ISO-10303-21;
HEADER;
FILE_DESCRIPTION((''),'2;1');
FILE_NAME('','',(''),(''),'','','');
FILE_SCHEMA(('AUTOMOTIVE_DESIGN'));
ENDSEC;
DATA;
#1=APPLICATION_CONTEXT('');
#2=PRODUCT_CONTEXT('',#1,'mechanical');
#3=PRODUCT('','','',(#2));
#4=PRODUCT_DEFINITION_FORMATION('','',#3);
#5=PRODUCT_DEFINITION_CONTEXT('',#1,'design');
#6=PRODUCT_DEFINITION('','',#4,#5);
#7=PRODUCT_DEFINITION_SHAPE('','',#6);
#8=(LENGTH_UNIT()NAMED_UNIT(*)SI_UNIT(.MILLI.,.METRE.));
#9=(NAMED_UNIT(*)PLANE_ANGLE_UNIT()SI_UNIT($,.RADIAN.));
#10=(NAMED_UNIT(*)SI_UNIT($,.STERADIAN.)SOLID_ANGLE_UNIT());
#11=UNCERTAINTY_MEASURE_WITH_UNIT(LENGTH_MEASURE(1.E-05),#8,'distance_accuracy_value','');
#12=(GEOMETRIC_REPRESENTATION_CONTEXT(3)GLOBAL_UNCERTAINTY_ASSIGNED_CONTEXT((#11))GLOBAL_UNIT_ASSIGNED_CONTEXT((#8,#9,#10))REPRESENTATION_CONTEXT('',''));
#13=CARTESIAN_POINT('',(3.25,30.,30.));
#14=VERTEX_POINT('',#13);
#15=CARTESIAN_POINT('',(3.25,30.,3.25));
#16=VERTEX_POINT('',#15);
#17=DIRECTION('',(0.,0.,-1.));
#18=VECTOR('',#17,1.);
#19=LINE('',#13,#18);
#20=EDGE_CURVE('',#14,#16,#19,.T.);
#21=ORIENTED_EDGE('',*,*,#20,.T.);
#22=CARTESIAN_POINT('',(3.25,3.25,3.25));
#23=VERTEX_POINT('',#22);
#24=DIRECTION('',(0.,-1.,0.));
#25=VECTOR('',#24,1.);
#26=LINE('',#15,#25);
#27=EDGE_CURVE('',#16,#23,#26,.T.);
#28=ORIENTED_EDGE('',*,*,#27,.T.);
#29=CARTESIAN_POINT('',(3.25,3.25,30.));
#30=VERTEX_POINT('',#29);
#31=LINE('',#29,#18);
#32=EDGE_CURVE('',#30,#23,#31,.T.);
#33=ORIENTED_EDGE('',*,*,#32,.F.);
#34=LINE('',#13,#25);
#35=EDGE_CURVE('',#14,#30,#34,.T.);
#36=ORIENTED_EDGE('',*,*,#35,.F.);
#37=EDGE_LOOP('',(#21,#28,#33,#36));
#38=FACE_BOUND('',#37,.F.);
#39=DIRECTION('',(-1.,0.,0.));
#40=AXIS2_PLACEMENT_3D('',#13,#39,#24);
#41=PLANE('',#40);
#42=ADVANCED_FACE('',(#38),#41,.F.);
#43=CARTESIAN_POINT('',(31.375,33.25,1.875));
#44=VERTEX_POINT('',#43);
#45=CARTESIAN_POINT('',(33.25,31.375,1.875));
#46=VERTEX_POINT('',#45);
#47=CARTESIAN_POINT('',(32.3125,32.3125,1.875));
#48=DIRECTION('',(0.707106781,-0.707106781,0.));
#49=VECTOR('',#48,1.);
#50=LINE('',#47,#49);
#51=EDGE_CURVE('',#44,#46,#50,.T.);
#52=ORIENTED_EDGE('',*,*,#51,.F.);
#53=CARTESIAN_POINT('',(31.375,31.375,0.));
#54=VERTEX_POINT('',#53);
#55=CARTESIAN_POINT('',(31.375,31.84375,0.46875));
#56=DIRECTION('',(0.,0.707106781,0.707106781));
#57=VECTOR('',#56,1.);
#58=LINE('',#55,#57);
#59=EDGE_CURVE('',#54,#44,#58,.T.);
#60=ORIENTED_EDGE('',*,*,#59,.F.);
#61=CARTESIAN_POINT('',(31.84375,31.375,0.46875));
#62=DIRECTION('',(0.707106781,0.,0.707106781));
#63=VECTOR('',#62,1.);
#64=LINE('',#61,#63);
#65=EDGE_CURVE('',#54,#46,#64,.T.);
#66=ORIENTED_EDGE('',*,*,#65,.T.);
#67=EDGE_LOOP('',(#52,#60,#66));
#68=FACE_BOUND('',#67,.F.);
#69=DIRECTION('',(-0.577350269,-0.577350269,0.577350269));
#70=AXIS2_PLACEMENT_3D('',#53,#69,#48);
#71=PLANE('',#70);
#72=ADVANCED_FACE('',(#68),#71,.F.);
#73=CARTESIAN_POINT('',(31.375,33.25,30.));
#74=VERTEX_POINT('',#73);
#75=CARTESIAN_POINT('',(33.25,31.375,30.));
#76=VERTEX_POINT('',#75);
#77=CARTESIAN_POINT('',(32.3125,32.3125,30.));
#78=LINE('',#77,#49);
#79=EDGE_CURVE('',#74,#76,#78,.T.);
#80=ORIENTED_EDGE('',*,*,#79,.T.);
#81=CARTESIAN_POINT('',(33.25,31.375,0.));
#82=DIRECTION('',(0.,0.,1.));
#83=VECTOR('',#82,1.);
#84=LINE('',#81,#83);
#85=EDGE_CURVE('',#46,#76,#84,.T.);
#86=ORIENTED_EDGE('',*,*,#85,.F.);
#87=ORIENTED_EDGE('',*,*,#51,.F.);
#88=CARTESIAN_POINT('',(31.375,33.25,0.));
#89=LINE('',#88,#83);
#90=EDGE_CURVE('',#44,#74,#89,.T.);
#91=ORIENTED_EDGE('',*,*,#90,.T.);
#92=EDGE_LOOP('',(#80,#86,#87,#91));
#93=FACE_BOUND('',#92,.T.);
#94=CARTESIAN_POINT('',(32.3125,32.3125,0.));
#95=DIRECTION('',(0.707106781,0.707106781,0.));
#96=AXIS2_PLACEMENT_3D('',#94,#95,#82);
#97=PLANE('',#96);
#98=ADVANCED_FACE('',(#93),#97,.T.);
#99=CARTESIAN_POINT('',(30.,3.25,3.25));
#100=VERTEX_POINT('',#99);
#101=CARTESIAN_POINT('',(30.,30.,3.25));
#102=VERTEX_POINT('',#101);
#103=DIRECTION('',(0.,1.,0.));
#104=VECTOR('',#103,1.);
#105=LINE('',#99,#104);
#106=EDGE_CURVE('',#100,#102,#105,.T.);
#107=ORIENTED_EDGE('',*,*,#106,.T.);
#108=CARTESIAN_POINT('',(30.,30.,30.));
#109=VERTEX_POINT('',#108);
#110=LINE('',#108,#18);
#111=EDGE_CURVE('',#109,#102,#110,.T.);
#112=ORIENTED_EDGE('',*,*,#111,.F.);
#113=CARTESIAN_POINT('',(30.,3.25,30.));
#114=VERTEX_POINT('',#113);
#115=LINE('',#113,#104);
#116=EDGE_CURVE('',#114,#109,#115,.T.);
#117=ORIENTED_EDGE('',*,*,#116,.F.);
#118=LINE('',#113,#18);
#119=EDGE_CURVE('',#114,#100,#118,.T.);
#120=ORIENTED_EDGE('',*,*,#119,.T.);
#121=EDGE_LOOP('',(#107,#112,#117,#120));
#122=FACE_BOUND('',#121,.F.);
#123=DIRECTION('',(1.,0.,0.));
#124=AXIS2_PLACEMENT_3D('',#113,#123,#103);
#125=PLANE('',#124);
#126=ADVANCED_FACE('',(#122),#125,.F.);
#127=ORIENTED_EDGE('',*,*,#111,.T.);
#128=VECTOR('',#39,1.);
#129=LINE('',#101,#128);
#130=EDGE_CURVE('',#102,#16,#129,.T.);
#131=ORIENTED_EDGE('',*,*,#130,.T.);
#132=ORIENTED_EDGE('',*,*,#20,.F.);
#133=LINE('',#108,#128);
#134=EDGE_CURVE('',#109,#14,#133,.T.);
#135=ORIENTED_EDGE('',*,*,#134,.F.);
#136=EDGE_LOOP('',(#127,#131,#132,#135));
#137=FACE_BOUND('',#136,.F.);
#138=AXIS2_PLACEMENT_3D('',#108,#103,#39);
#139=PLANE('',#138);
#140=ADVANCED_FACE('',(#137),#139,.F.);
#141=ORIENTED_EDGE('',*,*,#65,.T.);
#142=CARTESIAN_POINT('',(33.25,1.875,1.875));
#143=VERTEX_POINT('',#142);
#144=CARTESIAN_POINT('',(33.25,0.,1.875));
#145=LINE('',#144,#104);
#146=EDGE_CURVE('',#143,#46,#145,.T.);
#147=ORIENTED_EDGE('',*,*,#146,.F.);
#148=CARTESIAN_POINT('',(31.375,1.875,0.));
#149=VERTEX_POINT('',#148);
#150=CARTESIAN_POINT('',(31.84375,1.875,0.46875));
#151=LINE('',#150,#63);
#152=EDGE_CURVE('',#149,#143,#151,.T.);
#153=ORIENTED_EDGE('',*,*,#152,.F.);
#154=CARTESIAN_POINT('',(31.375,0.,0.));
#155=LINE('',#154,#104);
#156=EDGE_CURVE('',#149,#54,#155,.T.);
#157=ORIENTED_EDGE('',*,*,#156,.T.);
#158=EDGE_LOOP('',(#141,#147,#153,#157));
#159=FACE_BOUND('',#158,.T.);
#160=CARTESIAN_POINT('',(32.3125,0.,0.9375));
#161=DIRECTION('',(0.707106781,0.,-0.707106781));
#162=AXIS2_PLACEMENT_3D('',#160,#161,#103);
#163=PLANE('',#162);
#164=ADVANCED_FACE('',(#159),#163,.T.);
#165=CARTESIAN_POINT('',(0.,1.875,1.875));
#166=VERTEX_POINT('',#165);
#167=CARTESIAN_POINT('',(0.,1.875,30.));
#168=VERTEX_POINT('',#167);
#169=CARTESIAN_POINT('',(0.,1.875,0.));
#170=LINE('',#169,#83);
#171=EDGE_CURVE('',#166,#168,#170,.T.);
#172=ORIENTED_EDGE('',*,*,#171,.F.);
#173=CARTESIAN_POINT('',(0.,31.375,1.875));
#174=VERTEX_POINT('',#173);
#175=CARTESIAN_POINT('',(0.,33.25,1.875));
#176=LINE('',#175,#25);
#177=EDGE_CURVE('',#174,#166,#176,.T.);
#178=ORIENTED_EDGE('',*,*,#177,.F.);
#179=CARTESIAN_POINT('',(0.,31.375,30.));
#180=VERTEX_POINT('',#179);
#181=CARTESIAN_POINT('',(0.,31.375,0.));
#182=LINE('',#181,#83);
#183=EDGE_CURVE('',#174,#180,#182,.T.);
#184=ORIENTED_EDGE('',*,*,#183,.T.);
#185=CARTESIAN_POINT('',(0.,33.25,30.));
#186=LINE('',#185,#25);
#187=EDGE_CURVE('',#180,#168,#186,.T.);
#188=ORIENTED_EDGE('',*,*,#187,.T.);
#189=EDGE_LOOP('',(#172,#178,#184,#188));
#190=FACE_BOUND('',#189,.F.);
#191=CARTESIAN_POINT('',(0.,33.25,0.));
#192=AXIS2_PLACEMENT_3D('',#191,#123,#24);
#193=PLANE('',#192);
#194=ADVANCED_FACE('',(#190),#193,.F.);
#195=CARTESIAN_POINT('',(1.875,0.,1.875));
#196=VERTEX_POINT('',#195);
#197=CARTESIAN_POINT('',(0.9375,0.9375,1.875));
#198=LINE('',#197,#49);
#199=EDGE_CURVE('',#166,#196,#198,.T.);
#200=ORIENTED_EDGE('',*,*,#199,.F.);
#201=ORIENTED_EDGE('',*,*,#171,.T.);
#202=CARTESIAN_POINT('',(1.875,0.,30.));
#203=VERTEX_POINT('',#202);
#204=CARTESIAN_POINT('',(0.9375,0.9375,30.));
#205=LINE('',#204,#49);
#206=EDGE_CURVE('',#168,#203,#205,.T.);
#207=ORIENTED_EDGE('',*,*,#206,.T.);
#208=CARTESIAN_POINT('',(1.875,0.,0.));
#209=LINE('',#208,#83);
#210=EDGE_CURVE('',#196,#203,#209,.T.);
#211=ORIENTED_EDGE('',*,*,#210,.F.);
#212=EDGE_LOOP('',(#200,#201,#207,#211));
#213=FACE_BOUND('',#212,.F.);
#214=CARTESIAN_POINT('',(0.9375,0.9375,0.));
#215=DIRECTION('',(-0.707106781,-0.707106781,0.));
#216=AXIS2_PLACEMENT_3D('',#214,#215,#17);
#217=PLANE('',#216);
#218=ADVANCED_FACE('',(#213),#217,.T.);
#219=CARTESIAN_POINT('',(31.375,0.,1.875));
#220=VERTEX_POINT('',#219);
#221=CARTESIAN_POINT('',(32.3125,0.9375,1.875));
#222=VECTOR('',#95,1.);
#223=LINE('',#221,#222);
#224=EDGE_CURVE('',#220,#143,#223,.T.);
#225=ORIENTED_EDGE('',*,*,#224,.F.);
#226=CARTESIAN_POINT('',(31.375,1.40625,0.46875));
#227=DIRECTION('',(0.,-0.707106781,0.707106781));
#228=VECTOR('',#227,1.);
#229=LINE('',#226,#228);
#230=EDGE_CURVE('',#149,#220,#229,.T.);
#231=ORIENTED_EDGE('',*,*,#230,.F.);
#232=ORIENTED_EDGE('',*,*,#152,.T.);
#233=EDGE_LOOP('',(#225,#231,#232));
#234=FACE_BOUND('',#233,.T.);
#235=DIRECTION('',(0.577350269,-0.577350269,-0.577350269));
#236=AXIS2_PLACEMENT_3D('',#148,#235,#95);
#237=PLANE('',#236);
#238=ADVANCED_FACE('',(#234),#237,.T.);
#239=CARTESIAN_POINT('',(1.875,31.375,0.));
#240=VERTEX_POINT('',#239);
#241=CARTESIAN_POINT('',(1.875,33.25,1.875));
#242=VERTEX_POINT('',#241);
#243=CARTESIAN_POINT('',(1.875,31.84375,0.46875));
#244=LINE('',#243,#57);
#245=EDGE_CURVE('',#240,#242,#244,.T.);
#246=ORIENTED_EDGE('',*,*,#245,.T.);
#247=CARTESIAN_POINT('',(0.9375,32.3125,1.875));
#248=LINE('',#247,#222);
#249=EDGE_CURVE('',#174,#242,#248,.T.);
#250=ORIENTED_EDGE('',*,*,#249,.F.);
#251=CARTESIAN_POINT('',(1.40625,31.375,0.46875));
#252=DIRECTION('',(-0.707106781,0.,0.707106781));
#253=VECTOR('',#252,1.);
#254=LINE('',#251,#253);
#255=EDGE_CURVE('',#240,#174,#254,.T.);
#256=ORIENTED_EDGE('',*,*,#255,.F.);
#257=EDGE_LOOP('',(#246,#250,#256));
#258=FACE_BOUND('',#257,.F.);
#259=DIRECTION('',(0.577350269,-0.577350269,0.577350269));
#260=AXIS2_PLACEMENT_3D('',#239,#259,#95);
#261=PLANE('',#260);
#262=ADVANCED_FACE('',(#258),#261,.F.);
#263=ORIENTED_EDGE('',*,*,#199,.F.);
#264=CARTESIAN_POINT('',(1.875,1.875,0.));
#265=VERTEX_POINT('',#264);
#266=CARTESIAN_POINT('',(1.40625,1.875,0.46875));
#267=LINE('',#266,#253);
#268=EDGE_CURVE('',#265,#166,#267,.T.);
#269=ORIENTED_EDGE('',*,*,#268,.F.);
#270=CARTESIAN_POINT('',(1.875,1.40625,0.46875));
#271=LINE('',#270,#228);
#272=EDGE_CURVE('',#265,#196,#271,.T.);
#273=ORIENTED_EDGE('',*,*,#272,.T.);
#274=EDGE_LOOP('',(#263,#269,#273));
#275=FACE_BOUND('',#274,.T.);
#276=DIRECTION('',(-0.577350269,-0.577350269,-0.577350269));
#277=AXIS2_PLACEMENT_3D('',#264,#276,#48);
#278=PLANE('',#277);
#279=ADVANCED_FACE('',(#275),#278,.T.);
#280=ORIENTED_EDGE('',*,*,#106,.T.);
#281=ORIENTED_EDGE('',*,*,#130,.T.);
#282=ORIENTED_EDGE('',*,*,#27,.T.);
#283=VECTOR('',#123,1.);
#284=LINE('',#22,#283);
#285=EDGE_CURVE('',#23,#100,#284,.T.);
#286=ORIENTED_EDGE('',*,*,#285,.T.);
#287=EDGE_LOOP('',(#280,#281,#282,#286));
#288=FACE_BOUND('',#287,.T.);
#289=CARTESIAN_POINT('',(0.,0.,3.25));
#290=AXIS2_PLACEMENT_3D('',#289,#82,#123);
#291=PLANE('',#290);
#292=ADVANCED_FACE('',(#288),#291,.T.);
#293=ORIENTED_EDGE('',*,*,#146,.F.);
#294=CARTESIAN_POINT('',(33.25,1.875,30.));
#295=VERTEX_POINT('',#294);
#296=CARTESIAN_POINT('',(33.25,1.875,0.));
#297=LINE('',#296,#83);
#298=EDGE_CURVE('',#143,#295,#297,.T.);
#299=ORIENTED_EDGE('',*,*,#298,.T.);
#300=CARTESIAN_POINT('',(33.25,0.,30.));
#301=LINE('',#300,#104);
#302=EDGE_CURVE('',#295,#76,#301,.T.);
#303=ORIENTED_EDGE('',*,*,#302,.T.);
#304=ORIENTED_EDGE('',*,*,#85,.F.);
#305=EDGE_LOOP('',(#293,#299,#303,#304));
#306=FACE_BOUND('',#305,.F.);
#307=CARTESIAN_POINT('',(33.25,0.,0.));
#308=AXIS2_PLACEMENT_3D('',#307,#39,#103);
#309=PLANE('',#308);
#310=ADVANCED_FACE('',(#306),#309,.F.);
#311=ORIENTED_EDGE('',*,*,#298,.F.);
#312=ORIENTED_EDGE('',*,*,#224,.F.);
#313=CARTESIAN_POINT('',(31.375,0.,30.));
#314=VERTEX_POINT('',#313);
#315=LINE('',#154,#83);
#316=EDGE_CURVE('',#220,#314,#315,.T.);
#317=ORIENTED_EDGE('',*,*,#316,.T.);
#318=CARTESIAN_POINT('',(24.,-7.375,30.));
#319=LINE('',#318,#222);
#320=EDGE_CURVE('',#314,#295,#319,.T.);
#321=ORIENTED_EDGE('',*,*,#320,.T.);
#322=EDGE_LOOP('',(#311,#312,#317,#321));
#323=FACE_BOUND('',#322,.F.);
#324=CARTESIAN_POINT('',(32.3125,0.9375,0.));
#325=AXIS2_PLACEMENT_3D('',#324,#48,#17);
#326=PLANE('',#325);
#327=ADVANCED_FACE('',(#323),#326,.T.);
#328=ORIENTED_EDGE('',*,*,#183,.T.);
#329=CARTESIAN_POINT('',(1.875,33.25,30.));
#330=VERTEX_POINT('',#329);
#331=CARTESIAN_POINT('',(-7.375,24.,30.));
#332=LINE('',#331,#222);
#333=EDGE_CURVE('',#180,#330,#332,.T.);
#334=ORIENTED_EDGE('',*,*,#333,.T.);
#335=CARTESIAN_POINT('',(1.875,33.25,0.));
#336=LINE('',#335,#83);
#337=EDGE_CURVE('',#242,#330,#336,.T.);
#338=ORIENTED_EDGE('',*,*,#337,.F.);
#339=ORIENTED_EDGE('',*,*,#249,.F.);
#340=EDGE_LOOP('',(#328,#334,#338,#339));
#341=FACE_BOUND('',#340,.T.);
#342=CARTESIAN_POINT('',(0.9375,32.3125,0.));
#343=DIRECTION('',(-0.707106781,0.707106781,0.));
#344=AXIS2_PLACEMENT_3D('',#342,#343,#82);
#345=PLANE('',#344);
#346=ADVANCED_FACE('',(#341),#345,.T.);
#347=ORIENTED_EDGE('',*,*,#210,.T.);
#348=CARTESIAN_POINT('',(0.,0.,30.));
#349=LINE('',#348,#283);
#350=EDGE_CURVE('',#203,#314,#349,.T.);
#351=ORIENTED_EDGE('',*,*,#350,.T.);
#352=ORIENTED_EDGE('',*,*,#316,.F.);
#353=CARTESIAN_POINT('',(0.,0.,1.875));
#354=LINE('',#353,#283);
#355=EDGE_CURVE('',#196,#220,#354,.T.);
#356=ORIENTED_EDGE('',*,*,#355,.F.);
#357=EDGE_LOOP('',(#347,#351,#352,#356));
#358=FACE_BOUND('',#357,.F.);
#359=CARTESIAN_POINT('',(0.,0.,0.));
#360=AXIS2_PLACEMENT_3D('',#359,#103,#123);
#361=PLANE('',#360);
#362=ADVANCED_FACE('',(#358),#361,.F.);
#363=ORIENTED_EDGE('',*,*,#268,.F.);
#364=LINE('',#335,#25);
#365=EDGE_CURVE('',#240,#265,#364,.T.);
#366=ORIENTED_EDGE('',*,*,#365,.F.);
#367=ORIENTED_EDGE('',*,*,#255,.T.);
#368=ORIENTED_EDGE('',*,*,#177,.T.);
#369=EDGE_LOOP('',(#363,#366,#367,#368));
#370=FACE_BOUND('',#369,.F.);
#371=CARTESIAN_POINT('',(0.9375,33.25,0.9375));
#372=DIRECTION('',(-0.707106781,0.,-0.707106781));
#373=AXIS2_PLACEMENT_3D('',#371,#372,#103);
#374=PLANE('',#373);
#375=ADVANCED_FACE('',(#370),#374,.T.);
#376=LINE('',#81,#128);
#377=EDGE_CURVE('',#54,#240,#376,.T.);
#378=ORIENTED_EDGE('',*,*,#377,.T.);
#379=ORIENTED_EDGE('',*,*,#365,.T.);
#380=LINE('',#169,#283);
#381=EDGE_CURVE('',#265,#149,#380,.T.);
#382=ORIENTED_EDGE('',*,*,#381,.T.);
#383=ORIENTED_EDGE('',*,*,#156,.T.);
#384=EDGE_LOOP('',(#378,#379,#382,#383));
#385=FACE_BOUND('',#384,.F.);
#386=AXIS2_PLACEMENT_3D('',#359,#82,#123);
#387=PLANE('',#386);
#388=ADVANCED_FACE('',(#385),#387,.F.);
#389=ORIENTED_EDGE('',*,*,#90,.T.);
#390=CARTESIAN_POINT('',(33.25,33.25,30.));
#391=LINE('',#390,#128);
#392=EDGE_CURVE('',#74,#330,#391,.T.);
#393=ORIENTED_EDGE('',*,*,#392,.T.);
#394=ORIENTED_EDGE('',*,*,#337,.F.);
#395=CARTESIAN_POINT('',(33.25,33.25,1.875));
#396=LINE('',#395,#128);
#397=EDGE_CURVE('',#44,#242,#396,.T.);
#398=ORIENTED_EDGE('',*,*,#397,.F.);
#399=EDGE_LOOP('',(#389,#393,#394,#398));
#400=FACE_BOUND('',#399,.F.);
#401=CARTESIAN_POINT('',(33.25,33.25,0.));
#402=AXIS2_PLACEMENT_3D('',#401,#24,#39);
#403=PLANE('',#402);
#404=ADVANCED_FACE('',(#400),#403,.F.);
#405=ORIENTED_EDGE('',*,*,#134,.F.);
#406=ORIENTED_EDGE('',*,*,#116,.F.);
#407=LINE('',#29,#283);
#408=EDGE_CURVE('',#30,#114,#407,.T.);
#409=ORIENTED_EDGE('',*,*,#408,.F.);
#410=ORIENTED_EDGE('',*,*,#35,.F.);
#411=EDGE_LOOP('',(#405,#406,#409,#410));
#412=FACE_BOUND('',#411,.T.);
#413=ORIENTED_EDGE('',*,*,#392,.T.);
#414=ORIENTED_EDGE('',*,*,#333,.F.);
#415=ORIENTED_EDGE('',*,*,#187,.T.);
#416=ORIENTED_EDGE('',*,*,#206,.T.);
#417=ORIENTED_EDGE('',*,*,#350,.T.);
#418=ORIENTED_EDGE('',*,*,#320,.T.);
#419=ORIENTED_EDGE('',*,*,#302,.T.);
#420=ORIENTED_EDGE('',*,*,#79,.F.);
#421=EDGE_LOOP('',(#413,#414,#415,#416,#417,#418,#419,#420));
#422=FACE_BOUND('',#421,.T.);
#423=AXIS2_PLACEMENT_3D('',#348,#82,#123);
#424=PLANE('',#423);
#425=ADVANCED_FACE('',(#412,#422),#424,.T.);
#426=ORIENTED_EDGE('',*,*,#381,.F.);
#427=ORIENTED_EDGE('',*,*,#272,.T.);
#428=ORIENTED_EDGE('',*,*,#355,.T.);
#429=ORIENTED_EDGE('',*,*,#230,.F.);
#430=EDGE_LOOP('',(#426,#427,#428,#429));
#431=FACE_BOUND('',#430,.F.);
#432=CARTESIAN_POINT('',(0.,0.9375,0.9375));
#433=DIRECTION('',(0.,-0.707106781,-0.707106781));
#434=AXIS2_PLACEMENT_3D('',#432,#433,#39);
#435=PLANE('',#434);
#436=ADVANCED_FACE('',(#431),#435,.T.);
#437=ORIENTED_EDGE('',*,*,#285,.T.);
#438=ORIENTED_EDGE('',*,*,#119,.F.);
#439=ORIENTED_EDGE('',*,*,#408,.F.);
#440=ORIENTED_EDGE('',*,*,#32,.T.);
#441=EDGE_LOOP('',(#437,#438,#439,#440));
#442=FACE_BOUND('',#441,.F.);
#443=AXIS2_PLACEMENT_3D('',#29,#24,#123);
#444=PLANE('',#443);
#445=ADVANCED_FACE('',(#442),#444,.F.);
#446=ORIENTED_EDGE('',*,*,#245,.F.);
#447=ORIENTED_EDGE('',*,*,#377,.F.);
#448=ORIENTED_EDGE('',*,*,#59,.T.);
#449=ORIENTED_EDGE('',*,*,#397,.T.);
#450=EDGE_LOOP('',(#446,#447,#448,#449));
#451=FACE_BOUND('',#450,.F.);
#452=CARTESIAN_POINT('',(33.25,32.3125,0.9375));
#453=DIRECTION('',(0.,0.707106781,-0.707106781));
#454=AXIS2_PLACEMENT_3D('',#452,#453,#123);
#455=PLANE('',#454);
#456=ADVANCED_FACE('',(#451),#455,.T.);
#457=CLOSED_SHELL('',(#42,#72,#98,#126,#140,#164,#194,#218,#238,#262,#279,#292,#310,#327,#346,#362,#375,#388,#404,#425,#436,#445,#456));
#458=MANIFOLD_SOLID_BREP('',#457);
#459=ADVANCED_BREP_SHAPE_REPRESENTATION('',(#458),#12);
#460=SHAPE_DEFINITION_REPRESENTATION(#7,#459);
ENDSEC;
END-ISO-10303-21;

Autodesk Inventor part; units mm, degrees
ref_plane "YZ Plane" through (0, 0, 0) normal (1, 0, 0) x (0, 1, 0)
ref_plane "XZ Plane" through (0, 0, 0) normal (0, 1, 0) x (-1, 0, 0)
ref_plane "XY Plane" through (0, 0, 0) normal (0, 0, 1) x (1, 0, 0)
sketch "Sketch1" plane through (0, 0, 0) normal (0, 0, 1) x (1, 0, 0)
  line L0 (0, 0) -> (33.25, 0)
  line L1 (33.25, 0) -> (33.25, 33.25)
  line L2 (33.25, 33.25) -> (0, 33.25)
  line L3 (0, 33.25) -> (0, 0)
  dimension "d0" = 33.25
  dimension "d1" = 33.25
extrude "Extrusion1" add sketch "Sketch1" along normal blind 30
sketch "Sketch2" plane through (0, 0, 30) normal (0, 0, 1) x (1, 0, 0)
  point P0 (0, 0)
sketch "Sketch3" plane through (0, 0, 30) normal (0, 0, 1) x (1, 0, 0)
  line L0 (3.25, 3.25) -> (30, 3.25)
  line L1 (30, 3.25) -> (30, 30)
  line L2 (30, 30) -> (3.25, 30)
  line L3 (3.25, 30) -> (3.25, 3.25)
  line L4 (33.25, 0) -> (33.25, 33.25) projected
  line L5 (0, 0) -> (33.25, 0)
  line L6 (33.25, 0) -> (33.25, 33.25)
  line L7 (33.25, 33.25) -> (0, 33.25)
  line L8 (0, 33.25) -> (0, 0)
  dimension "d4" = 26.75
  dimension "d5" = 26.75
extrude "Extrusion2" cut sketch "Sketch3" against normal blind 26.75 contours L3 L2 L1 L0
chamfer "Chamfer1" distance 1.875 angle 45 8 edges at (33.25, 33.25, 15) (33.25, 0, 15) (0, 33.25, 15) (0, 0, 15) (0, 16.625, 0) (16.625, 33.25, 0) (16.625, 0, 0) (33.25, 16.625, 0)
sketch "Sketch4" plane through (0, 0, 0) normal (0, 0, -1) x (-1, 0, 0)
  circle A0 centre (-16.625, 16.625) radius 4.625
  point P0 (0, 0)
  dimension "d11" = 9.25
properties part number "cuvette holder lid"
